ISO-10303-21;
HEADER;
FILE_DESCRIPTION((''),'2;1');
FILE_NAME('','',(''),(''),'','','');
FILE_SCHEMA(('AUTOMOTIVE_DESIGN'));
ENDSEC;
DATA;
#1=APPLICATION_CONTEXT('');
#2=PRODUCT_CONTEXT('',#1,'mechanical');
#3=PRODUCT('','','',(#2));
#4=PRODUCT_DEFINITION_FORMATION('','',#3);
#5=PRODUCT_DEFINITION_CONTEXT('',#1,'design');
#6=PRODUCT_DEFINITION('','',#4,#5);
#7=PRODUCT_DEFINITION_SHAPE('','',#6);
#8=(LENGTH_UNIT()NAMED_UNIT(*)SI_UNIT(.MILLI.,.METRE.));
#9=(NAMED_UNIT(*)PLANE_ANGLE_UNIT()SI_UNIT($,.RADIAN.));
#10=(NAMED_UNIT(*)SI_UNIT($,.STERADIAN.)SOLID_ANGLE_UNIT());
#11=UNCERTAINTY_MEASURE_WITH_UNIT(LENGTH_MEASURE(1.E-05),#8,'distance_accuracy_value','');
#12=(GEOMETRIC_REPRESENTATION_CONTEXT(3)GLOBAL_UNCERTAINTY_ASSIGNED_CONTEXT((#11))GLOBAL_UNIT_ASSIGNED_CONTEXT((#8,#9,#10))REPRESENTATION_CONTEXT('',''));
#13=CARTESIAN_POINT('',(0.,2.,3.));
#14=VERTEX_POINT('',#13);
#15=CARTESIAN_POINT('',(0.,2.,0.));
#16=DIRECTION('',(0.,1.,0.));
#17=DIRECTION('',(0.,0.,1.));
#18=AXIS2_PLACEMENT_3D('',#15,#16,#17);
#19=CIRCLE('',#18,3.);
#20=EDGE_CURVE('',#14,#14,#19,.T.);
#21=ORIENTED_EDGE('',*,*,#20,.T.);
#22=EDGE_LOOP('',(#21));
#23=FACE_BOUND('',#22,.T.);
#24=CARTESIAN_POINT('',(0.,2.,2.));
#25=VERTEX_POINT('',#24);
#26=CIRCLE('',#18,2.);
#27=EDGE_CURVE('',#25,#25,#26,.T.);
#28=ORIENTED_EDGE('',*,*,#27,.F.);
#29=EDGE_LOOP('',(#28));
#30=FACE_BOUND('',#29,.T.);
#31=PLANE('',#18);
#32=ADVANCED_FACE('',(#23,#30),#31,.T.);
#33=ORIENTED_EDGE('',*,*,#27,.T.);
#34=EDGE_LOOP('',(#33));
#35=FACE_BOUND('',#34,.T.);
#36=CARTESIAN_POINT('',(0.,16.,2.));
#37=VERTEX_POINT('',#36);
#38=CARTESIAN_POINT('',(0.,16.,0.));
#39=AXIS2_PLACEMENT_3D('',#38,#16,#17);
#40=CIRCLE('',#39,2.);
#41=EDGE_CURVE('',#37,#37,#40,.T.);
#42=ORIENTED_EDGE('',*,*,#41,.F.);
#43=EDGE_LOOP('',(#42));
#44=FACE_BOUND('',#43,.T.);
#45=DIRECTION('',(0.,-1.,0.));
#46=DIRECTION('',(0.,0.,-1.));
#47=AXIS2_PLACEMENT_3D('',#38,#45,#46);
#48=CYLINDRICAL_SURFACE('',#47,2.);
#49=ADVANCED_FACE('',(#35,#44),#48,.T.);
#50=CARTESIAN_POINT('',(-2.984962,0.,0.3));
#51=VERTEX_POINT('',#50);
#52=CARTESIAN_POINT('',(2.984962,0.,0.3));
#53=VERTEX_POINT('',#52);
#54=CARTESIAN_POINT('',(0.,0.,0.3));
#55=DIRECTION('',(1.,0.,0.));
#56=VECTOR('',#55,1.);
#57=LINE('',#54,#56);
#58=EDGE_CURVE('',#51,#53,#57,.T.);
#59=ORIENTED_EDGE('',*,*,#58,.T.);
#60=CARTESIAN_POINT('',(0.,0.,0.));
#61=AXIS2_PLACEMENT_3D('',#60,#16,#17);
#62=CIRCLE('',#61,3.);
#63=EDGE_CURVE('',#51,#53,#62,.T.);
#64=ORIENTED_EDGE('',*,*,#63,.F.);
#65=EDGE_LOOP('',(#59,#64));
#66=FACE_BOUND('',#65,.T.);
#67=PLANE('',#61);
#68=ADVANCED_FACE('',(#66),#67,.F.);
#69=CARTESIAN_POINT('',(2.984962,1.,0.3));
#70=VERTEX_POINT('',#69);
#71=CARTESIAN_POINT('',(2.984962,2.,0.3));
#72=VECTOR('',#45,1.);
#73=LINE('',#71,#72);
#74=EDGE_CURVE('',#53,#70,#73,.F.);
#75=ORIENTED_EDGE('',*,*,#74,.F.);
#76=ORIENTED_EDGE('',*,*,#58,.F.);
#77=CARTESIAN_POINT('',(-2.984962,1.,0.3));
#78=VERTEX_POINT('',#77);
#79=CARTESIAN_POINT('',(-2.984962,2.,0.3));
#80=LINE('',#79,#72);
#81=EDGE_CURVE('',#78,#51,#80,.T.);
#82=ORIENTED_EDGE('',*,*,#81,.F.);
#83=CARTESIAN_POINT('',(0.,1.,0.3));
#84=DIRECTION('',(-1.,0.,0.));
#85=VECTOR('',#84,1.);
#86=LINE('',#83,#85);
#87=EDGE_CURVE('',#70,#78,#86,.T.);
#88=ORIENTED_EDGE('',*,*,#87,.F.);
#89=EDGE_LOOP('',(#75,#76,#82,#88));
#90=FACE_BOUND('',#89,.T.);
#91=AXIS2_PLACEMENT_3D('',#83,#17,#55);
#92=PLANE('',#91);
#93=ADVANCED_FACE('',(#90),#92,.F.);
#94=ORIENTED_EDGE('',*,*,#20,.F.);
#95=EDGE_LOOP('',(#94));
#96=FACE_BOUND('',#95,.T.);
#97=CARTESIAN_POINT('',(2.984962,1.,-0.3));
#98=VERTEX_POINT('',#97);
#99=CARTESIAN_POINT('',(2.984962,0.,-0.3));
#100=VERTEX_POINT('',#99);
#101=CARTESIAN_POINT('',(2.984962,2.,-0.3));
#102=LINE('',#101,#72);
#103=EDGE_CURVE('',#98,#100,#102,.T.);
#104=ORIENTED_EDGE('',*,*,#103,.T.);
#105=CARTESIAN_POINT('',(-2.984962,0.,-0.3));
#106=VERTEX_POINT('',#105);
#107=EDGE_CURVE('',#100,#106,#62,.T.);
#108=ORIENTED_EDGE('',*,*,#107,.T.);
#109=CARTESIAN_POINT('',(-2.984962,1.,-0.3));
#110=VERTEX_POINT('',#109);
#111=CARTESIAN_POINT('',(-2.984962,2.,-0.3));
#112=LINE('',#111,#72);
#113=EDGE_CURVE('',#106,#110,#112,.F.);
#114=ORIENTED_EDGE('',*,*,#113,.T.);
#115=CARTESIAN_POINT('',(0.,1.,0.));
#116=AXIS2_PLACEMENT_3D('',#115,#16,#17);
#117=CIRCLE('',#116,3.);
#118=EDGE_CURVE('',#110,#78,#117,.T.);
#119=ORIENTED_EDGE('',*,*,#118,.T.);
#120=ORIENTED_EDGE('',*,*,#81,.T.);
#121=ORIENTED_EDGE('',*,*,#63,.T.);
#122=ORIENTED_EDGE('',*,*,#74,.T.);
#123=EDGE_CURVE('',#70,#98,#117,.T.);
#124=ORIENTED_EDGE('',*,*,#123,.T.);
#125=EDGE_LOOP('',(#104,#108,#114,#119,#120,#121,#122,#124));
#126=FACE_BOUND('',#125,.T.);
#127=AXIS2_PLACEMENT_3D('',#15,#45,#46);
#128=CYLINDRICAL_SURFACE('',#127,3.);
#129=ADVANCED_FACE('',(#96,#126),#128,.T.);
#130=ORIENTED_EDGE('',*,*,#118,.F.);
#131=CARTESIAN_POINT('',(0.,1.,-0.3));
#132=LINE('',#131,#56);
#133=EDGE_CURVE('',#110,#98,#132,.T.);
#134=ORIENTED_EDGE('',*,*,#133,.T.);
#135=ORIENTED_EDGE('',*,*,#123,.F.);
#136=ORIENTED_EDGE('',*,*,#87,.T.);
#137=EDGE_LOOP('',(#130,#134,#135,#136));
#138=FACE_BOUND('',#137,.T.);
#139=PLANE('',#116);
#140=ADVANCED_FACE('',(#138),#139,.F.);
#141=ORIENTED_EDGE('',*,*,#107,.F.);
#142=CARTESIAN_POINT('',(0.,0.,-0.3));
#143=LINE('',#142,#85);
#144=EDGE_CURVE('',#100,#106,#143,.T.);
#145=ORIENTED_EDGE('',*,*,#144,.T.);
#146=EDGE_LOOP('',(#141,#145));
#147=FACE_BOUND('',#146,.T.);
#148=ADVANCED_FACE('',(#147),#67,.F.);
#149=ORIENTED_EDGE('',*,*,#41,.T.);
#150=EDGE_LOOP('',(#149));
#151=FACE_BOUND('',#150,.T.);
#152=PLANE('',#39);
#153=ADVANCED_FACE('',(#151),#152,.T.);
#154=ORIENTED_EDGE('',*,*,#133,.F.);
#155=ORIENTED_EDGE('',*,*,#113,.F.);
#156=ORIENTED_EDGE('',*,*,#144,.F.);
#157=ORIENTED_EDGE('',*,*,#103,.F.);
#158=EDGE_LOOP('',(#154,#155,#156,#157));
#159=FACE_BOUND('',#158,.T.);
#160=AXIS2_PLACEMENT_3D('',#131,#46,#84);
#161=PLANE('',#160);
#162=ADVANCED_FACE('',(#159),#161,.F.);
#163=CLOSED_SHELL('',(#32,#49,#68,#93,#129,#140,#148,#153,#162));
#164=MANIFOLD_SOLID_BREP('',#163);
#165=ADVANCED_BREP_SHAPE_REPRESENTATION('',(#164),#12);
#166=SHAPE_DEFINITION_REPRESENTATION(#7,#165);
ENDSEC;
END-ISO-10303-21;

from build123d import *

# Parameters (mm, degrees)
SKETCH1_R           = 3
BOSS_EXTRUDE1_DEPTH = 2
SKETCH2_R           = 2
BOSS_EXTRUDE2_DEPTH = 14
CUT_EXTRUDE2_DEPTH  = 1


with BuildPart() as part:
    # Sketch1 → Boss-Extrude1 (new body)
    with BuildSketch(Plane(origin=(0, 0, 0), x_dir=(1, 0, 0), z_dir=(0, 1, 0))):
        Circle(SKETCH1_R)
    extrude(amount=BOSS_EXTRUDE1_DEPTH)

    # Sketch2 → Boss-Extrude2 (add)
    with BuildSketch(Plane(origin=(0, 2, 0), x_dir=(1, 0, 0), z_dir=(0, 1, 0))):
        Circle(SKETCH2_R)
    extrude(amount=BOSS_EXTRUDE2_DEPTH)

    # Sketch3 → Cut-Extrude2 (cut)
    with BuildSketch(Plane.XZ):
        Polygon((0, 0.3), (3.344738487, 0.3), (3.344738487, 0), (3.344738487, -0.3), (0, -0.3), (-3.50820315, -0.3), (-3.50820315, 0), (-3.50820315, 0.3), align=None)
    extrude(amount=-CUT_EXTRUDE2_DEPTH, mode=Mode.SUBTRACT)


solid = part.part
